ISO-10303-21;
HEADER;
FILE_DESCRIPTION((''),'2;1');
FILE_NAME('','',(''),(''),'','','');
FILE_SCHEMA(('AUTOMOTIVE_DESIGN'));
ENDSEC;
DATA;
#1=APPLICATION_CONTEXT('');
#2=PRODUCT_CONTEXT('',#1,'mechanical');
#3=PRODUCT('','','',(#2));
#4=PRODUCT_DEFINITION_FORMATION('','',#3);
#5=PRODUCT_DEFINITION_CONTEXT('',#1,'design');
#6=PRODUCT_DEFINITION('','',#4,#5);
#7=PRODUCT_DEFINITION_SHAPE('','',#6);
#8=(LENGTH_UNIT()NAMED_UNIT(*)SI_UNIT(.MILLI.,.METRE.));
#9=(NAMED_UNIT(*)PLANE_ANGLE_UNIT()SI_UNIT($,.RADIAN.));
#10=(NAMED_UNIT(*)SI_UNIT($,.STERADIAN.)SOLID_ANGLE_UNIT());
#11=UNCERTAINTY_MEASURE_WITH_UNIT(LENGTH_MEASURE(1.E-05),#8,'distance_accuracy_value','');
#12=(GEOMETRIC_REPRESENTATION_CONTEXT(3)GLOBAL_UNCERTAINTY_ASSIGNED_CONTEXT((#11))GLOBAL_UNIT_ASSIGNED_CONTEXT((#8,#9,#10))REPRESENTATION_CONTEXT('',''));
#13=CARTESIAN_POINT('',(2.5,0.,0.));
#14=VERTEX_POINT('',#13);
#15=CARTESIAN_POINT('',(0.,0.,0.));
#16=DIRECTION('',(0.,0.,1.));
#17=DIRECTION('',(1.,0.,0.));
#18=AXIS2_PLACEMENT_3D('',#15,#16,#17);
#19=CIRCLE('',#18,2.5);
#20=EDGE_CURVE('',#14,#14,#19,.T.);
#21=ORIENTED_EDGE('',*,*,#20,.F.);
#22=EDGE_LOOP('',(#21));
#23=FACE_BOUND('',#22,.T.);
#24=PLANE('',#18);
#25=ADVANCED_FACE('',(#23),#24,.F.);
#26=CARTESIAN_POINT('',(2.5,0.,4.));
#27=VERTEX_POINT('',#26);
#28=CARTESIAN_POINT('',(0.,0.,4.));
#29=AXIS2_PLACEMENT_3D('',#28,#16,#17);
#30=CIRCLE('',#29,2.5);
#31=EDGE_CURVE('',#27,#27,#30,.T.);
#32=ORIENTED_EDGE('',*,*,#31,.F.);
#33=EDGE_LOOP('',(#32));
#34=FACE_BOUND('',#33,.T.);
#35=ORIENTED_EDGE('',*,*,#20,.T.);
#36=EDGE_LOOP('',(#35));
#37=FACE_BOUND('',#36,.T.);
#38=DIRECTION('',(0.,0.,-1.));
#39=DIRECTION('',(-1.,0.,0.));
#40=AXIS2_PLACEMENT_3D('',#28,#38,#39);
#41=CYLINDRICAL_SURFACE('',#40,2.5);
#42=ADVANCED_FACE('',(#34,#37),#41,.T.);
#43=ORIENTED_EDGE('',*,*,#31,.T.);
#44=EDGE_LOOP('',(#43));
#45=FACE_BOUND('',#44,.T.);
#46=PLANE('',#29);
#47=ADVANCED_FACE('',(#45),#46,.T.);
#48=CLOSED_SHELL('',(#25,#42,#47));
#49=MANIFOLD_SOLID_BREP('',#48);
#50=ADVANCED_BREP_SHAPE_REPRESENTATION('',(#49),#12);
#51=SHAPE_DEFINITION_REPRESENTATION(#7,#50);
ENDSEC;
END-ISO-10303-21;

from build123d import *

# Parameters (mm, degrees)
SKETCH1_R           = 2.5
BOSS_EXTRUDE1_DEPTH = 4


with BuildPart() as part:
    # Sketch1 → Boss-Extrude1 (new body)
    with BuildSketch(Plane.XY):
        Circle(SKETCH1_R)
    extrude(amount=BOSS_EXTRUDE1_DEPTH)


solid = part.part
